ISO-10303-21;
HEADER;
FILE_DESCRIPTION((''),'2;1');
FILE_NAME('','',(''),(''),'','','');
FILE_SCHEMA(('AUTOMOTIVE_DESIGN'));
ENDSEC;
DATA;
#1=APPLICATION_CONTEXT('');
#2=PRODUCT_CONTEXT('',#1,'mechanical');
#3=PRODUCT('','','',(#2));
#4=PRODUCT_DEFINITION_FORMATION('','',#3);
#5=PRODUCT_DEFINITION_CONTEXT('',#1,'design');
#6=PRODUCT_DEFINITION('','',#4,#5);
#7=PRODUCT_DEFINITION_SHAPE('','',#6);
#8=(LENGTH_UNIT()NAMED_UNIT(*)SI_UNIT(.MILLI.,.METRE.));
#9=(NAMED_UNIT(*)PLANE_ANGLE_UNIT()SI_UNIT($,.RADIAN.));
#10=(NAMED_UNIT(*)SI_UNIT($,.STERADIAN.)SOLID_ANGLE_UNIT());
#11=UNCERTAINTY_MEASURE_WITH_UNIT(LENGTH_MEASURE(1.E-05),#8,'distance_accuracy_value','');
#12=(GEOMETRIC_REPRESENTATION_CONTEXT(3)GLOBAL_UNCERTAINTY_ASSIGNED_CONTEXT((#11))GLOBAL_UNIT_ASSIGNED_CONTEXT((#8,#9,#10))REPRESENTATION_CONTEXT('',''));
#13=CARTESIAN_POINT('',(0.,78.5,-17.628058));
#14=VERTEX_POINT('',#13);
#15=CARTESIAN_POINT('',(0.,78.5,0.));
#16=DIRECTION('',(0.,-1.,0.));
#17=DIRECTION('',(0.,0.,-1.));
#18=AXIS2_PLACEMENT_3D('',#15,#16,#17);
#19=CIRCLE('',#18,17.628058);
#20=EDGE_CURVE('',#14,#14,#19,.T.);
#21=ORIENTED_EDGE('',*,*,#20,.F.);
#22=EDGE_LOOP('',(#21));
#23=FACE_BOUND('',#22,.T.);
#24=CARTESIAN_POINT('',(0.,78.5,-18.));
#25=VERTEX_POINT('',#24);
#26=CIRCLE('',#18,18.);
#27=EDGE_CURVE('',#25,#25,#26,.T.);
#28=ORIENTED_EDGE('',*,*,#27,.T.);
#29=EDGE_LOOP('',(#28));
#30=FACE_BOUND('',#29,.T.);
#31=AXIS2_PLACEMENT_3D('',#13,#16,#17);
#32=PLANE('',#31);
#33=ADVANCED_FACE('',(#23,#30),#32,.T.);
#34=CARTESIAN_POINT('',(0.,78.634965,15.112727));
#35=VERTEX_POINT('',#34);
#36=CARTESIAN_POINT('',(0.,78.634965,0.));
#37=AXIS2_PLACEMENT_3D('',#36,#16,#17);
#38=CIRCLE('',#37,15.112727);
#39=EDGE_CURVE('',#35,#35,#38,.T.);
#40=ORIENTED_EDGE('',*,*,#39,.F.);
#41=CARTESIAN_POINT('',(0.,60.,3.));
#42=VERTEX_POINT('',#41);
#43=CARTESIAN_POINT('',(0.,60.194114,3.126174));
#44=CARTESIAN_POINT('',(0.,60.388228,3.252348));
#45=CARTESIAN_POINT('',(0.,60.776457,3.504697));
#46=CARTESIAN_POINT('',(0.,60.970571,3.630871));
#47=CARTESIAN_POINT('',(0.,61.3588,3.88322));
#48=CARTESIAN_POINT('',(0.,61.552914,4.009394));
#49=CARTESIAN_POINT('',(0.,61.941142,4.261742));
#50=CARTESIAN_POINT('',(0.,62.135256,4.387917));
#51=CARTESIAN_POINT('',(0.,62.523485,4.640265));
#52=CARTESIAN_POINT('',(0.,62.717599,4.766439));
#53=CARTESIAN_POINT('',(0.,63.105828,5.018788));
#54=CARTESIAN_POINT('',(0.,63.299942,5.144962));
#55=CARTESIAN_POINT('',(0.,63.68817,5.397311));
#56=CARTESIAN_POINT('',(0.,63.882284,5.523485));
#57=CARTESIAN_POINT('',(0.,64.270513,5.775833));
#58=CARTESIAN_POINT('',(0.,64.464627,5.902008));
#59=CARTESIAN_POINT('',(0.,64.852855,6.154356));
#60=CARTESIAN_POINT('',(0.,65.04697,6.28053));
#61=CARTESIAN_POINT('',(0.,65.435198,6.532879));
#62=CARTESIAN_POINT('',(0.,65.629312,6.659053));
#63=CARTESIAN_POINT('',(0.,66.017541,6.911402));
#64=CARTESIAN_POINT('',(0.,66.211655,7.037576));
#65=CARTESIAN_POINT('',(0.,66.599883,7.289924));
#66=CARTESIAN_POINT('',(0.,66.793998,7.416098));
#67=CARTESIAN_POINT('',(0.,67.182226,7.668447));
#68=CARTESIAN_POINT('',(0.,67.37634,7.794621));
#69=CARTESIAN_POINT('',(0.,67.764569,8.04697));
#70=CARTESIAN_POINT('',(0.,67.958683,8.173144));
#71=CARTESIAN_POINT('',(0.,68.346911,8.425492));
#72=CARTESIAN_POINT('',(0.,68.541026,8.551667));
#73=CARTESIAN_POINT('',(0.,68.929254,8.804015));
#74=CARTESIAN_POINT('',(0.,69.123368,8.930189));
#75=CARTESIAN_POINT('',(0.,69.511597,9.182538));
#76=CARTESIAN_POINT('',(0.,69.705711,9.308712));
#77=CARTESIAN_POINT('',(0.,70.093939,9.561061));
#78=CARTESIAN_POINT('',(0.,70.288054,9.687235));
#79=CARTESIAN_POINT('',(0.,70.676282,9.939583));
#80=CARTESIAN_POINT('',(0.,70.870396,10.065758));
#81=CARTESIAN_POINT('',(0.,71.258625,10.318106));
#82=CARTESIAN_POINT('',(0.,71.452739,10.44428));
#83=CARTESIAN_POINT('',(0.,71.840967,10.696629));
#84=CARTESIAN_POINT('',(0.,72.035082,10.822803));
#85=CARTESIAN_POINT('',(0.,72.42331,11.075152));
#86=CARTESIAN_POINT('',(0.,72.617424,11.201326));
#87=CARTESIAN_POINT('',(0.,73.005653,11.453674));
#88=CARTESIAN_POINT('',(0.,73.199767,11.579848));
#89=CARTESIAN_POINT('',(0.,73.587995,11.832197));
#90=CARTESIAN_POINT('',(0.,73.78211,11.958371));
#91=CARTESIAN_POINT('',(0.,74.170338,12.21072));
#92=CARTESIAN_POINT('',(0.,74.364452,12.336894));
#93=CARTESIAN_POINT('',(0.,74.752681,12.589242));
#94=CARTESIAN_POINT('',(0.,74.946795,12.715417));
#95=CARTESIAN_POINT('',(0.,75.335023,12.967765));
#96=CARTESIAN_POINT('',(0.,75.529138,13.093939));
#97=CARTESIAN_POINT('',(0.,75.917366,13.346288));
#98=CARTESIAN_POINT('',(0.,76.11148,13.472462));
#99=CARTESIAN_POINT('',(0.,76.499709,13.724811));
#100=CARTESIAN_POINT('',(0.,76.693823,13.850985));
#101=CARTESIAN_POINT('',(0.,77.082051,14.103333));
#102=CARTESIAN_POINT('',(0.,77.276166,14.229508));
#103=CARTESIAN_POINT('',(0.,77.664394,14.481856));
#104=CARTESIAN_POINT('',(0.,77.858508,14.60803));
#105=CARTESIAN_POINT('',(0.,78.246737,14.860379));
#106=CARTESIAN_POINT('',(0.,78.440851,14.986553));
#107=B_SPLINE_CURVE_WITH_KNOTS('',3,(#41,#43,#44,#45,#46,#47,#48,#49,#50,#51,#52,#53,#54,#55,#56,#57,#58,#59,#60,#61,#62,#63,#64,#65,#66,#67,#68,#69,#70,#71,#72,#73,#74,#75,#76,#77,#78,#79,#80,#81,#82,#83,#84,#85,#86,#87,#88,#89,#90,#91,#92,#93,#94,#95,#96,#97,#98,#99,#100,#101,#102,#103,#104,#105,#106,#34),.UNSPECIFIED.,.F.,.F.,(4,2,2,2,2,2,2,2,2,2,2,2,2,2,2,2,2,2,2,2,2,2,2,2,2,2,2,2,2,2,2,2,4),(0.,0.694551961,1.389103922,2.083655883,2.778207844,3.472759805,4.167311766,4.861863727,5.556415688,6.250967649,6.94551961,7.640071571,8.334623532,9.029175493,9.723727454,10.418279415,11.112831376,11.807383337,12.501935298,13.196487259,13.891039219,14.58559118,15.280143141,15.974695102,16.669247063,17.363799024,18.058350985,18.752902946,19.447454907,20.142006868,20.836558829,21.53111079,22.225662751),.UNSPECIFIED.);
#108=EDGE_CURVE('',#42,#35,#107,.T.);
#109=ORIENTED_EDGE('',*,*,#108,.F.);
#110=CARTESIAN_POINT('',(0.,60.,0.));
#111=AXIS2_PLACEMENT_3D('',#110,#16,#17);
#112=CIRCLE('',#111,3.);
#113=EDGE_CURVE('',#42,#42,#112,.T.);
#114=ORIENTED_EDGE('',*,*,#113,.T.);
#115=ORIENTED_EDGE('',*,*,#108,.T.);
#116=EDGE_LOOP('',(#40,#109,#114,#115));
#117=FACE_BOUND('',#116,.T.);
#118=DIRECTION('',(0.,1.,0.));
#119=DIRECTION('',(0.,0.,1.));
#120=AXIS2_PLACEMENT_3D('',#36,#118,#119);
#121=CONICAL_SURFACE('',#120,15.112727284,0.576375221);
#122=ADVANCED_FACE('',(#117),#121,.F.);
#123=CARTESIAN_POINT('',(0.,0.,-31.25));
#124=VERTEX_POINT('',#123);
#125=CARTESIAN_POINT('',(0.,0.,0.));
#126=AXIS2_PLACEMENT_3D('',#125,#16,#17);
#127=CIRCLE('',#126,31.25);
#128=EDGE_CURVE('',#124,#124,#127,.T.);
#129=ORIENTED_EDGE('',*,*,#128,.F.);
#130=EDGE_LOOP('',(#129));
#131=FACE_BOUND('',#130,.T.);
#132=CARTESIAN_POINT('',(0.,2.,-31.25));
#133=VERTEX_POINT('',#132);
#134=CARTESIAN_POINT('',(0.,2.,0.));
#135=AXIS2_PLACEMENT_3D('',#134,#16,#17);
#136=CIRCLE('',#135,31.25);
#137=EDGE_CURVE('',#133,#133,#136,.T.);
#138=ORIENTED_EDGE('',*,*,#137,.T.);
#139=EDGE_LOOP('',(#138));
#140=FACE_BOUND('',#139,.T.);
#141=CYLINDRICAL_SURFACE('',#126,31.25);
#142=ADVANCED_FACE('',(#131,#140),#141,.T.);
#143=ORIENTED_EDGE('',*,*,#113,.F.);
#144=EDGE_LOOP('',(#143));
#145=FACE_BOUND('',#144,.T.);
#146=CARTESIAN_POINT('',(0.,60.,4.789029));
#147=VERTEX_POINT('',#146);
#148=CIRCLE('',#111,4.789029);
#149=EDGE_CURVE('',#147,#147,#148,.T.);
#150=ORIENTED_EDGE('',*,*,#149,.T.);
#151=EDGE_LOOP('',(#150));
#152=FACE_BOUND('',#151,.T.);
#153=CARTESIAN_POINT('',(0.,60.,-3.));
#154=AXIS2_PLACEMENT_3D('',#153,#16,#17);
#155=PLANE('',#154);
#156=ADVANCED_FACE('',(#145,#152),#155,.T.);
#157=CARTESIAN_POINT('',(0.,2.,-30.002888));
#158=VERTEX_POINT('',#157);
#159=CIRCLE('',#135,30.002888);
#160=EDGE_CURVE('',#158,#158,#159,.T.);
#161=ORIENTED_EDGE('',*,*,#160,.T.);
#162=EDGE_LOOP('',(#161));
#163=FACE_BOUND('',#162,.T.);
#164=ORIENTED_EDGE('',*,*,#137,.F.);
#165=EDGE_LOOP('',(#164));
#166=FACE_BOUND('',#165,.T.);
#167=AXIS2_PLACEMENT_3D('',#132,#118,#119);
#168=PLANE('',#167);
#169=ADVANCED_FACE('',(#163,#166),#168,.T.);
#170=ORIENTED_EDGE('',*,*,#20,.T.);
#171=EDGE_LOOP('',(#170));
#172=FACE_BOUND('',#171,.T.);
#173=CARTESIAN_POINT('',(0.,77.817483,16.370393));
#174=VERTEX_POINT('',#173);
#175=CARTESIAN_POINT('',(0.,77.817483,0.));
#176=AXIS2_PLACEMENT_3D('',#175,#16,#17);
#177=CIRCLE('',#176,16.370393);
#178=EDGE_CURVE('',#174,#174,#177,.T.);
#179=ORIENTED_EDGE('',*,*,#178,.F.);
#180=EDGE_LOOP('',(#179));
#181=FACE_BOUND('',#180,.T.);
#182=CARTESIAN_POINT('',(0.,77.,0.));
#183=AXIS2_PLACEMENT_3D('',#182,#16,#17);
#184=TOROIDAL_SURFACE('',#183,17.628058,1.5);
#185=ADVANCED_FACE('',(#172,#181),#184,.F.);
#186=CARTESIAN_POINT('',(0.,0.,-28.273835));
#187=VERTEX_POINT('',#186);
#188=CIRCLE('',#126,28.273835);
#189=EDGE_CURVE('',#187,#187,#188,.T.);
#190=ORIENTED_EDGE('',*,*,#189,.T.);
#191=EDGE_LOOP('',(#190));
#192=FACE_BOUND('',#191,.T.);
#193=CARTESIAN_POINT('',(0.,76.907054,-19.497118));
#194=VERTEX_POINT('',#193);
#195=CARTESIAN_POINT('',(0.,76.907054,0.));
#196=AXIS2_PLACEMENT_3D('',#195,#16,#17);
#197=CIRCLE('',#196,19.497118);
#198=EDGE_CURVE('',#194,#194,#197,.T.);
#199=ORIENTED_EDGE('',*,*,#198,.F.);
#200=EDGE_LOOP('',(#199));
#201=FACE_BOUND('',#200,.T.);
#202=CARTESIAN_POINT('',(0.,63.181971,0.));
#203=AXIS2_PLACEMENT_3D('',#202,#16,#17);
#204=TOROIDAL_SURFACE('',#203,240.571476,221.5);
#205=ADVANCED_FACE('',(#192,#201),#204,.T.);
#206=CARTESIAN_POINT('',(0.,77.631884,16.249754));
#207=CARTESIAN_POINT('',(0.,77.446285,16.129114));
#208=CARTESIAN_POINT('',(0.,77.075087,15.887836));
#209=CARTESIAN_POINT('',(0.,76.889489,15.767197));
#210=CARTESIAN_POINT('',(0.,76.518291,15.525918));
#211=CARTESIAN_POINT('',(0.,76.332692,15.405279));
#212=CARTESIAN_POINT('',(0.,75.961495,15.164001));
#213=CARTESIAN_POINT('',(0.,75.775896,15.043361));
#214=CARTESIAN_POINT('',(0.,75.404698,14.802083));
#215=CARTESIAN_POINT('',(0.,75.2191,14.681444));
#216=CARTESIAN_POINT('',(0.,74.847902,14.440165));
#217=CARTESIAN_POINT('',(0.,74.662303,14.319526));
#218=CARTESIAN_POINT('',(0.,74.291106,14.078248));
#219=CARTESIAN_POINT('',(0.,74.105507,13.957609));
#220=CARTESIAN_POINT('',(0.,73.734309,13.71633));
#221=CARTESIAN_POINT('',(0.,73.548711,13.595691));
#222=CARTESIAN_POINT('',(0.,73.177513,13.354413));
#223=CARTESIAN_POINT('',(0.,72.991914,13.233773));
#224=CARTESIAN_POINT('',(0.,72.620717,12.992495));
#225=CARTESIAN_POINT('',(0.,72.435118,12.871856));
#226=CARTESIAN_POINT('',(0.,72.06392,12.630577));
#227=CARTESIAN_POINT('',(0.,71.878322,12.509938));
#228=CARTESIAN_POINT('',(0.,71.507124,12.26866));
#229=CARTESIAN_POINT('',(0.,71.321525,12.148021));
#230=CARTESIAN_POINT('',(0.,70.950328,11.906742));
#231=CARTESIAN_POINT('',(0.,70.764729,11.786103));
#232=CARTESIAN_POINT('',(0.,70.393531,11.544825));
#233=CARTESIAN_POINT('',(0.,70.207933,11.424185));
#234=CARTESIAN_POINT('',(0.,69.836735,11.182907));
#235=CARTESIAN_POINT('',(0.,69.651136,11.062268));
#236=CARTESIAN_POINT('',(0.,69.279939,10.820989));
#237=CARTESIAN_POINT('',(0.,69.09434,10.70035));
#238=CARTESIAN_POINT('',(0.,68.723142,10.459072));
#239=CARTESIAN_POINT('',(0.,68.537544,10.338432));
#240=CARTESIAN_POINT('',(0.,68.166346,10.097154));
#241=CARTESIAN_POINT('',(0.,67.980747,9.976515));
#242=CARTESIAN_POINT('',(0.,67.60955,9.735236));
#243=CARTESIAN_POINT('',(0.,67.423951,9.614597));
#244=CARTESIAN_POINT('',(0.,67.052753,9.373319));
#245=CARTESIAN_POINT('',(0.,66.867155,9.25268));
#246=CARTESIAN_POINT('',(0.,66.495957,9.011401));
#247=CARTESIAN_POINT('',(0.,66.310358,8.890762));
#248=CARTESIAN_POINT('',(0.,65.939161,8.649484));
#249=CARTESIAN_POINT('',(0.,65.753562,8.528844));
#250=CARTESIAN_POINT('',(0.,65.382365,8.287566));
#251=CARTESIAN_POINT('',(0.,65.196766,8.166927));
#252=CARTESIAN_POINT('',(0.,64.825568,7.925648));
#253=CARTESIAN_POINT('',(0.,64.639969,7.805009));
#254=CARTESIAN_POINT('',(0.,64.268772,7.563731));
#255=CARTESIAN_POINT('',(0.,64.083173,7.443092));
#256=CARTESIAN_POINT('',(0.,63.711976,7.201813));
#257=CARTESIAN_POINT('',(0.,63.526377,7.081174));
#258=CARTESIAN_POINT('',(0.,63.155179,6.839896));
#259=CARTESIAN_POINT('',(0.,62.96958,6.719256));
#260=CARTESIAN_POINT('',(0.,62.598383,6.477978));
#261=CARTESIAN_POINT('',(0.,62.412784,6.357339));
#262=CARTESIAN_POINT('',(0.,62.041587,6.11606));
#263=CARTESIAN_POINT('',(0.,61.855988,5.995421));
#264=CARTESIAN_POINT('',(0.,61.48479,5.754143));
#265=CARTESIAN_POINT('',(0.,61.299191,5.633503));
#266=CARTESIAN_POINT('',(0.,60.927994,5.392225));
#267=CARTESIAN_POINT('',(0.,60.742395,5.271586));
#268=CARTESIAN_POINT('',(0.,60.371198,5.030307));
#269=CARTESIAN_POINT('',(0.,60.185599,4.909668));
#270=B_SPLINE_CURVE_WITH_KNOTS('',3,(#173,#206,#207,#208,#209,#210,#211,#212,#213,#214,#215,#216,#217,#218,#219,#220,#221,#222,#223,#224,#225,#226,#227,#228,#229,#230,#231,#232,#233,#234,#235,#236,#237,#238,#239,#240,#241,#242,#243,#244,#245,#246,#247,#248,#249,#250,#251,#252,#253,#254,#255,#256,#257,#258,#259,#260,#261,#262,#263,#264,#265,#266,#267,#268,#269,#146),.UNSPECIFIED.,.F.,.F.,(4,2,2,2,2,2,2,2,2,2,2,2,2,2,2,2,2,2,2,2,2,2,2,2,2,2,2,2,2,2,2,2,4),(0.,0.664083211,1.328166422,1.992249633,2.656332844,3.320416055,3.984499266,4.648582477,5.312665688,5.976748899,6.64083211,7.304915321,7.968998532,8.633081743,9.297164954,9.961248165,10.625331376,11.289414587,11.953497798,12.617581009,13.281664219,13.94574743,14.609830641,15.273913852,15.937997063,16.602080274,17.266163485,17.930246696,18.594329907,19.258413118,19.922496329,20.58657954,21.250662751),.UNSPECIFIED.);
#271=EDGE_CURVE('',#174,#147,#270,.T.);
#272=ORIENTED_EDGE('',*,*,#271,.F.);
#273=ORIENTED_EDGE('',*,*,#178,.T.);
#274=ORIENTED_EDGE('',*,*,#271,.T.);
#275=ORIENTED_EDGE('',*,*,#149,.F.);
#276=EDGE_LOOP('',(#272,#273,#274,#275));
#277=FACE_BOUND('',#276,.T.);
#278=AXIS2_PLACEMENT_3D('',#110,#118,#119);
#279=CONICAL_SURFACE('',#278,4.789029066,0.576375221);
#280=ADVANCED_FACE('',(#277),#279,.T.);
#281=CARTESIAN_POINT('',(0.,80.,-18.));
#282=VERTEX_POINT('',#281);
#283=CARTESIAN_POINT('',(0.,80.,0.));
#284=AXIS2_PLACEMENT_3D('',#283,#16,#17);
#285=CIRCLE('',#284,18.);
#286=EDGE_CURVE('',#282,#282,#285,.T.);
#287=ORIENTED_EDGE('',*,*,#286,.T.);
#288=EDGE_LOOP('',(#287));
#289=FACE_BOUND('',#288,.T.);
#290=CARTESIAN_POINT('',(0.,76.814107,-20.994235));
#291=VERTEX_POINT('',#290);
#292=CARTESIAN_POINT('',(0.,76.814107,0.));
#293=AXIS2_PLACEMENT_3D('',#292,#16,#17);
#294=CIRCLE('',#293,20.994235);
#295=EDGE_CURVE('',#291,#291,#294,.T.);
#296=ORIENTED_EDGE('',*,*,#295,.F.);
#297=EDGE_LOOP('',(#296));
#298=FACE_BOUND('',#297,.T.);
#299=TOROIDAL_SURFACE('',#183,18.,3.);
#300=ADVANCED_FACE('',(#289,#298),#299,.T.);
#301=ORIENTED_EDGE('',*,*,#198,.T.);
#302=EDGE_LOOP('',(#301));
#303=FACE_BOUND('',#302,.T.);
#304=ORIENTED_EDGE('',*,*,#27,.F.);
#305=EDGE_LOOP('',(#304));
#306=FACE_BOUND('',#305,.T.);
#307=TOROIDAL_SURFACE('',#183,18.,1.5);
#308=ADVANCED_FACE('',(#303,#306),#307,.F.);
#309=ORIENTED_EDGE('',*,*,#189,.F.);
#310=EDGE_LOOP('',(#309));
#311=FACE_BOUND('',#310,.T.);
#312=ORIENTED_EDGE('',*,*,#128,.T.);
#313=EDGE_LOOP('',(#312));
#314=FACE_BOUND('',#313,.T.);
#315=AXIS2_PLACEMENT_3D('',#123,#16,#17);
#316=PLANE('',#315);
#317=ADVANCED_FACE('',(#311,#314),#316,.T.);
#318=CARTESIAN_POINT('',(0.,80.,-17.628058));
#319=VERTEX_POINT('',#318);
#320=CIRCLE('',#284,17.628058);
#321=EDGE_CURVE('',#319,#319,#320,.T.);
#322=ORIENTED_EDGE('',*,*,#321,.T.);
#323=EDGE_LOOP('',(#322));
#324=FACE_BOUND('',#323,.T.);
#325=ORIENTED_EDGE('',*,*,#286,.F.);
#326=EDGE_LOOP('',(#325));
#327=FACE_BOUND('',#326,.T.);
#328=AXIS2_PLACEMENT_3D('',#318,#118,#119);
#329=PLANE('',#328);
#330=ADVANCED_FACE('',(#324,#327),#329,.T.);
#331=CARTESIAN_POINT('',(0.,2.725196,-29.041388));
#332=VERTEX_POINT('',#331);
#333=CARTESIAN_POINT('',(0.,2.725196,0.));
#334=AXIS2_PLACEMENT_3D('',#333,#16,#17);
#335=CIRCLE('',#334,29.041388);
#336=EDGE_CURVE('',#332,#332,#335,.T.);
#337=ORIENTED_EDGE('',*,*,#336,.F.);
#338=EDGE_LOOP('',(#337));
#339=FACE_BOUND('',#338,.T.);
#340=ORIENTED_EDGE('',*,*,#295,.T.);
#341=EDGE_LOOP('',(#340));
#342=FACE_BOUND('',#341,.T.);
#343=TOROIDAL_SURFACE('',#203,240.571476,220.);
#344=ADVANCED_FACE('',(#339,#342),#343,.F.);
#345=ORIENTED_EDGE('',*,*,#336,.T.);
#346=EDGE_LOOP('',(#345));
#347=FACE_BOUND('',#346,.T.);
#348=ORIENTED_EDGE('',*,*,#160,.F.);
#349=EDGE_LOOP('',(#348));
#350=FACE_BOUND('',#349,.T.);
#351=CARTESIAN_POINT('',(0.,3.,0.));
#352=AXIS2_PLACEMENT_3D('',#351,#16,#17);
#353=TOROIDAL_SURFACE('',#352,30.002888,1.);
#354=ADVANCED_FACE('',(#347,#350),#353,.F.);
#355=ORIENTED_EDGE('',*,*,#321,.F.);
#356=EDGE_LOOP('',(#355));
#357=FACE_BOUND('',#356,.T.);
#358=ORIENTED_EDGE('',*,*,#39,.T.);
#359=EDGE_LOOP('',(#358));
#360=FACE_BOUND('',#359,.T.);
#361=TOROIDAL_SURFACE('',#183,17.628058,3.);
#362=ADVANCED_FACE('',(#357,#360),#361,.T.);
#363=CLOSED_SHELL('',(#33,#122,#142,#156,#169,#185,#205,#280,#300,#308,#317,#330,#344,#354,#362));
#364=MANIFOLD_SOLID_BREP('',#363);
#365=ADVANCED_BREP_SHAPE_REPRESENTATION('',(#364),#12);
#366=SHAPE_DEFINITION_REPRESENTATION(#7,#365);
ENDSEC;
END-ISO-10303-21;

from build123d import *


with BuildPart() as part:
    # Esquisse1 → Révolution3 (revolve)
    with BuildSketch(Plane(origin=(0, 0, 0), x_dir=(0, 0, -1), z_dir=(1, 0, 0))):
        with BuildLine():
            Line((31.25, 0), (28.273835099, 0))
            ThreePointArc((28.273835099, 0), (20.499905423, 38.067161735), (19.497117554, 76.90705362))
            ThreePointArc((19.497117554, 76.90705362), (19.093027806, 78.027273194), (18, 78.5))
            Line((18, 78.5), (17.628058133, 78.5))
            ThreePointArc((17.628058133, 78.5), (16.912594573, 78.318374717), (16.370392708, 77.817482526))
            Line((16.370392708, 77.817482526), (4.789029066, 60))
            Line((4.789029066, 60), (3, 60))
            Line((3, 60), (15.112727284, 78.634965052))
            ThreePointArc((15.112727284, 78.634965052), (16.197131013, 79.636749434), (17.628058133, 80))
            Line((17.628058133, 80), (18, 80))
            ThreePointArc((18, 80), (20.186055613, 79.054546388), (20.994235108, 76.814107239))
            ThreePointArc((20.994235108, 76.814107239), (21.857795657, 39.426427354), (29.041387811, 2.725196477))
            ThreePointArc((29.041387811, 2.725196477), (29.400726908, 2.201625551), (30.002888214, 2))
            Line((30.002888214, 2), (31.25, 2))
            Line((31.25, 2), (31.25, 0))
        make_face()
    revolve(axis=Axis((0, 0, 0), (0, 1, 0)))


solid = part.part
